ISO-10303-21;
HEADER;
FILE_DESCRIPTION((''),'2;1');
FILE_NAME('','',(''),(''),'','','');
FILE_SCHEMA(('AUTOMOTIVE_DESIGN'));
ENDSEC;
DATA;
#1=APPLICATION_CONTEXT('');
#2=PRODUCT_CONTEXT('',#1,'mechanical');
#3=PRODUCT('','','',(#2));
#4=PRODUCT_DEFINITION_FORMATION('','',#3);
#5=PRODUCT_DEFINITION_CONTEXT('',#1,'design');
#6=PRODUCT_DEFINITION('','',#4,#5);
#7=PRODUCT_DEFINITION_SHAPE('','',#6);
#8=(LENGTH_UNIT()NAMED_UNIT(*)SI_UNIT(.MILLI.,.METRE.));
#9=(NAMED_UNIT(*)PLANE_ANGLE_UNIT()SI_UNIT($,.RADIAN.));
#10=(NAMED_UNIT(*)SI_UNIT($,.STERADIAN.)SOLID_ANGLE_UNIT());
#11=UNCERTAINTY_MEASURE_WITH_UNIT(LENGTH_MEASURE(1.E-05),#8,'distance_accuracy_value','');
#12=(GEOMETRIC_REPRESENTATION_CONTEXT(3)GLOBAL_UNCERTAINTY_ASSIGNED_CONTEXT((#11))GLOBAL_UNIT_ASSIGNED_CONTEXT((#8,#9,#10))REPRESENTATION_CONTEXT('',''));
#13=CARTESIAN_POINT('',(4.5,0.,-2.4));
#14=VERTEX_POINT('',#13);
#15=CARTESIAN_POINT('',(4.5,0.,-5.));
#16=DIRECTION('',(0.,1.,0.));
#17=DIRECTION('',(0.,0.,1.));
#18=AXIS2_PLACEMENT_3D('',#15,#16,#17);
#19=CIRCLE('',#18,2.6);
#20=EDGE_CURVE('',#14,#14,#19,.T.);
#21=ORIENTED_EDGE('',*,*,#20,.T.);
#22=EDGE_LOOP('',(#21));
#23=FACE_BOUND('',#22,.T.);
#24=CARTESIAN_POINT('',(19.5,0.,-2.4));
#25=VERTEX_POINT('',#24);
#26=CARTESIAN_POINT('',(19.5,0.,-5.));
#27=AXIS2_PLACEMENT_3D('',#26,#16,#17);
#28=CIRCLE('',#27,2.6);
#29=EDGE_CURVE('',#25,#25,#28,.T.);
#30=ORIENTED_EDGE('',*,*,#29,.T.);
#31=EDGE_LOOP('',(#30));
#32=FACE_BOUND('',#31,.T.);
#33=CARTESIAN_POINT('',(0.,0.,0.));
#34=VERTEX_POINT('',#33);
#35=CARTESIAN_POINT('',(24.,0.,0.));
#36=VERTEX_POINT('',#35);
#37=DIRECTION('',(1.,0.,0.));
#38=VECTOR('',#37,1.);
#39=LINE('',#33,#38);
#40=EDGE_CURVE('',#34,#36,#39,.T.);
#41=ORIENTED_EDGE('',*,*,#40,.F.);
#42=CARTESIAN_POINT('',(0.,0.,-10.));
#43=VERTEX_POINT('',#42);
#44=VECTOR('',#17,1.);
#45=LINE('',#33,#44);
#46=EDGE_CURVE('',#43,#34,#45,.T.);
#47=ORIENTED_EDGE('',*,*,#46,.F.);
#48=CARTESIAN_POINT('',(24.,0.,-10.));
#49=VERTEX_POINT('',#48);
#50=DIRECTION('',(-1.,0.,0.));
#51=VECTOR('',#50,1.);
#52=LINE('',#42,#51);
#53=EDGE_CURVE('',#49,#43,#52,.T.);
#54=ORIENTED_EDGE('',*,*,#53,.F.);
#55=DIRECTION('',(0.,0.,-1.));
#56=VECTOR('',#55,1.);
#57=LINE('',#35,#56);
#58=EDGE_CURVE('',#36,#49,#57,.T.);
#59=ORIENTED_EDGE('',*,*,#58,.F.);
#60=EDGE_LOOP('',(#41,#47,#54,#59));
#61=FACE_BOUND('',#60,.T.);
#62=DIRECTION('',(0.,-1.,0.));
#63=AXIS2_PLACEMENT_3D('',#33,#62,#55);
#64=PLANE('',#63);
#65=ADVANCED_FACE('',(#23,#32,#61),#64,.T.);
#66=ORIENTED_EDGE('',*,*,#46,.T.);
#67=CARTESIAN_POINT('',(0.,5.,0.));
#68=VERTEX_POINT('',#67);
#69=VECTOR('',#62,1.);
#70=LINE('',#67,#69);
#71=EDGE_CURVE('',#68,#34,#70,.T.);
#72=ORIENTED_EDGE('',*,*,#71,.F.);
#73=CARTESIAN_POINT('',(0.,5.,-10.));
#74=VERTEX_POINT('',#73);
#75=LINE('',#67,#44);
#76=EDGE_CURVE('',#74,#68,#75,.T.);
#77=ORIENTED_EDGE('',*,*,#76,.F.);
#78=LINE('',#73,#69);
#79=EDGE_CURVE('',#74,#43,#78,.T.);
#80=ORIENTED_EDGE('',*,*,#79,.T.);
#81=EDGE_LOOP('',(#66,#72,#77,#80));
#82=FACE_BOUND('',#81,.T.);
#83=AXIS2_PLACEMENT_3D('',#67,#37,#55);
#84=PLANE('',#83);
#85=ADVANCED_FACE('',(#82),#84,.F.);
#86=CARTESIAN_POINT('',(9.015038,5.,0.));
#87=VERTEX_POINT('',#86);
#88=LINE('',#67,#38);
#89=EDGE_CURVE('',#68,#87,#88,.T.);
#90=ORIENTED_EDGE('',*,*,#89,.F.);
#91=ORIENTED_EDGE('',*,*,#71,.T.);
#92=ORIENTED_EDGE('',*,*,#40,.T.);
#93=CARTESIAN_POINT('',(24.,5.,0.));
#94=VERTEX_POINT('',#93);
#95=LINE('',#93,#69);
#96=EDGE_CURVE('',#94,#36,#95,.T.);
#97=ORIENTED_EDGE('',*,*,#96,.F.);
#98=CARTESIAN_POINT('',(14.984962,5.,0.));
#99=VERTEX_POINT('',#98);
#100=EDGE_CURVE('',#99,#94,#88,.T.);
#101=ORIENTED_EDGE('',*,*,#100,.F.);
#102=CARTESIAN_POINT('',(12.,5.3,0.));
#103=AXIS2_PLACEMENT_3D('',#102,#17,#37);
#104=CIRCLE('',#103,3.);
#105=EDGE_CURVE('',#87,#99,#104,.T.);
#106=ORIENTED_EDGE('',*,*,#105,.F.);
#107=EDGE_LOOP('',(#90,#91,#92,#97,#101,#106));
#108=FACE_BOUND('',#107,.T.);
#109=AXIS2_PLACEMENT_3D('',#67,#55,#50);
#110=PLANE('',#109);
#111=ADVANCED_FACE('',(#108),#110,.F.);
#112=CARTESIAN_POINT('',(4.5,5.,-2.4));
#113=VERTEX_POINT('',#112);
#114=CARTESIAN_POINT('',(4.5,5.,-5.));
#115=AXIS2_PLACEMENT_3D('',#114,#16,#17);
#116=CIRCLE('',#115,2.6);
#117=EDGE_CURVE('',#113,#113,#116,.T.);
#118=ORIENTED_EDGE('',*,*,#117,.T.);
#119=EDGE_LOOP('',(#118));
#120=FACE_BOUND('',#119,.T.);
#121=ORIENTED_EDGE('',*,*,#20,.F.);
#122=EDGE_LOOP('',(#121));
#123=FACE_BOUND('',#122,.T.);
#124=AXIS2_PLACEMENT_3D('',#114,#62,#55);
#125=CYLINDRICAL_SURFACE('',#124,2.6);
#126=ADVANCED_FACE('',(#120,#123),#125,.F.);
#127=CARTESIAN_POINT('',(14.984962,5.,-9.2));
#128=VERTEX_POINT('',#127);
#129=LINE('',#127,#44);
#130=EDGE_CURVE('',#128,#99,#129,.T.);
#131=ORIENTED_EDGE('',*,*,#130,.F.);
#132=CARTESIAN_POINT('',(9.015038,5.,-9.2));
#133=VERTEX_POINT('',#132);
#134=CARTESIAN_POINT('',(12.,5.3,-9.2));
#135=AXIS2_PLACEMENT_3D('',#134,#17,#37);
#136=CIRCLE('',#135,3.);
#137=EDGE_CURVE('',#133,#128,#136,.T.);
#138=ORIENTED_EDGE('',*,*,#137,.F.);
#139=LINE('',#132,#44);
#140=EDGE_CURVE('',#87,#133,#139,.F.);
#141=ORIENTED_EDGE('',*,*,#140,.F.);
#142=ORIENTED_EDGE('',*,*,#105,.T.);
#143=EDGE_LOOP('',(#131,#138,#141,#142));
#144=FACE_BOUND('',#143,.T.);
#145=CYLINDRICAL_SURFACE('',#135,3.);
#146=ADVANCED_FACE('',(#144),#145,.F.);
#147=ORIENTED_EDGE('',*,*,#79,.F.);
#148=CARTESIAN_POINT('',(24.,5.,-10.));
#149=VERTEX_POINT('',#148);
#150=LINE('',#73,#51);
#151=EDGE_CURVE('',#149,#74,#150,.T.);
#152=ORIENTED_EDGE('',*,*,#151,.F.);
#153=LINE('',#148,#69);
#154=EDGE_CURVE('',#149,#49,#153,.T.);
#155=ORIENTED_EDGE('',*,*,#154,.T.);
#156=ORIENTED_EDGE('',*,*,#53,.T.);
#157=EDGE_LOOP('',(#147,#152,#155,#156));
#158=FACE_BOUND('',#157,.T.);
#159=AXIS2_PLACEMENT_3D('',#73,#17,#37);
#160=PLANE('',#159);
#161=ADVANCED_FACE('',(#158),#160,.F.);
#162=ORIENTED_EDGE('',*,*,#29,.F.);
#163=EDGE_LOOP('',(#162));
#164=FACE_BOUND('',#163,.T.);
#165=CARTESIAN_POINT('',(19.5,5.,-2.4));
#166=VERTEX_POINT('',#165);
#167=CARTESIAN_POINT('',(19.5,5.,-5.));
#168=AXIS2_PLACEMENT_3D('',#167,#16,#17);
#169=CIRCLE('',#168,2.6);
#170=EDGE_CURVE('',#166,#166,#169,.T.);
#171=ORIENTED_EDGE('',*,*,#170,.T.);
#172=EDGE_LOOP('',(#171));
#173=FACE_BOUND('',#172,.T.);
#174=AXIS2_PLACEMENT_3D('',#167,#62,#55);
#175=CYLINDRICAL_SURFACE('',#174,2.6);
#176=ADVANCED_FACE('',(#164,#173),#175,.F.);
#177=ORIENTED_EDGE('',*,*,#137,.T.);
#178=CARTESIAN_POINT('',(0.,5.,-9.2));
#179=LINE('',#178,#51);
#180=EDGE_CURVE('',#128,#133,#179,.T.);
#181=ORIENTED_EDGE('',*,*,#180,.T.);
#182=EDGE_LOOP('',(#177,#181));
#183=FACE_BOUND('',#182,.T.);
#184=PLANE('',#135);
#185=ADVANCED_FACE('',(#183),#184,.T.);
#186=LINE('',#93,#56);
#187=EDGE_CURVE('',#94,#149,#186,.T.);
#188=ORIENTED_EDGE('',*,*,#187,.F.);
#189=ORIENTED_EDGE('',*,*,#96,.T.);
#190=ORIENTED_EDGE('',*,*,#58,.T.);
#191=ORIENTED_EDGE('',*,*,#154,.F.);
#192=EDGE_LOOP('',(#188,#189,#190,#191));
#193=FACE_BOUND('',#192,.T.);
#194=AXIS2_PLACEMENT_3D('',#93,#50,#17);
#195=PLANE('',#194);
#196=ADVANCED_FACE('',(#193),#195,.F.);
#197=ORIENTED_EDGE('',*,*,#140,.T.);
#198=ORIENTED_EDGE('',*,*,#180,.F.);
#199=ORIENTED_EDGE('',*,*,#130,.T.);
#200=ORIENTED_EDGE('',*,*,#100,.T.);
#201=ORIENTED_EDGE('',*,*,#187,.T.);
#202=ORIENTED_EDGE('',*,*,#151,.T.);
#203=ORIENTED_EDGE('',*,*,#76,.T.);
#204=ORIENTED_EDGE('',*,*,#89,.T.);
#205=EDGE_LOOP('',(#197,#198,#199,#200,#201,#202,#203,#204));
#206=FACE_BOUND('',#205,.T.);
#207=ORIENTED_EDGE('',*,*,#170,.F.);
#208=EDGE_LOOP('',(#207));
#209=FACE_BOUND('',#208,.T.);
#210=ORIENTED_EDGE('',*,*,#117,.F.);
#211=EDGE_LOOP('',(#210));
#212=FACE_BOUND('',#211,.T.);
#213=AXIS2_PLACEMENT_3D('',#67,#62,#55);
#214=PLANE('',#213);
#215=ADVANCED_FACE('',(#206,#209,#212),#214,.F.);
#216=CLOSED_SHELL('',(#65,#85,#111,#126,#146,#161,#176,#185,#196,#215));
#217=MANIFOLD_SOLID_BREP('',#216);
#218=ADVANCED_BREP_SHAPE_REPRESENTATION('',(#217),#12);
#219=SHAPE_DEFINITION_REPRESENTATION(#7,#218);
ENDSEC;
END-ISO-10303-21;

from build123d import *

# Parameters (mm, degrees)
SKETCH1_W           = 24
SKETCH1_H           = 10
SKETCH1_R           = 2.6
BOSS_EXTRUDE1_DEPTH = 5
SKETCH2_R           = 3
CUT_EXTRUDE1_DEPTH  = 9.2


with BuildPart() as part:
    # Sketch1 → Boss-Extrude1 (new body)
    with BuildSketch(Plane(origin=(0, 0, 0), x_dir=(1, 0, 0), z_dir=(0, 1, 0))):
        with Locations((12, 5)):
            Rectangle(SKETCH1_W, SKETCH1_H)
        with Locations(Location((4.5, 5, 0), (0, 0, 270))):
            Circle(SKETCH1_R, mode=Mode.SUBTRACT)
        with Locations(Location((19.5, 5, 0), (0, 0, 270))):
            Circle(SKETCH1_R, mode=Mode.SUBTRACT)
    extrude(amount=BOSS_EXTRUDE1_DEPTH)

    # Sketch2 → Cut-Extrude1 (cut)
    with BuildSketch(Plane.XY):
        with Locations((12, 5.3)):
            Circle(SKETCH2_R)
    extrude(amount=-CUT_EXTRUDE1_DEPTH, mode=Mode.SUBTRACT)


solid = part.part
